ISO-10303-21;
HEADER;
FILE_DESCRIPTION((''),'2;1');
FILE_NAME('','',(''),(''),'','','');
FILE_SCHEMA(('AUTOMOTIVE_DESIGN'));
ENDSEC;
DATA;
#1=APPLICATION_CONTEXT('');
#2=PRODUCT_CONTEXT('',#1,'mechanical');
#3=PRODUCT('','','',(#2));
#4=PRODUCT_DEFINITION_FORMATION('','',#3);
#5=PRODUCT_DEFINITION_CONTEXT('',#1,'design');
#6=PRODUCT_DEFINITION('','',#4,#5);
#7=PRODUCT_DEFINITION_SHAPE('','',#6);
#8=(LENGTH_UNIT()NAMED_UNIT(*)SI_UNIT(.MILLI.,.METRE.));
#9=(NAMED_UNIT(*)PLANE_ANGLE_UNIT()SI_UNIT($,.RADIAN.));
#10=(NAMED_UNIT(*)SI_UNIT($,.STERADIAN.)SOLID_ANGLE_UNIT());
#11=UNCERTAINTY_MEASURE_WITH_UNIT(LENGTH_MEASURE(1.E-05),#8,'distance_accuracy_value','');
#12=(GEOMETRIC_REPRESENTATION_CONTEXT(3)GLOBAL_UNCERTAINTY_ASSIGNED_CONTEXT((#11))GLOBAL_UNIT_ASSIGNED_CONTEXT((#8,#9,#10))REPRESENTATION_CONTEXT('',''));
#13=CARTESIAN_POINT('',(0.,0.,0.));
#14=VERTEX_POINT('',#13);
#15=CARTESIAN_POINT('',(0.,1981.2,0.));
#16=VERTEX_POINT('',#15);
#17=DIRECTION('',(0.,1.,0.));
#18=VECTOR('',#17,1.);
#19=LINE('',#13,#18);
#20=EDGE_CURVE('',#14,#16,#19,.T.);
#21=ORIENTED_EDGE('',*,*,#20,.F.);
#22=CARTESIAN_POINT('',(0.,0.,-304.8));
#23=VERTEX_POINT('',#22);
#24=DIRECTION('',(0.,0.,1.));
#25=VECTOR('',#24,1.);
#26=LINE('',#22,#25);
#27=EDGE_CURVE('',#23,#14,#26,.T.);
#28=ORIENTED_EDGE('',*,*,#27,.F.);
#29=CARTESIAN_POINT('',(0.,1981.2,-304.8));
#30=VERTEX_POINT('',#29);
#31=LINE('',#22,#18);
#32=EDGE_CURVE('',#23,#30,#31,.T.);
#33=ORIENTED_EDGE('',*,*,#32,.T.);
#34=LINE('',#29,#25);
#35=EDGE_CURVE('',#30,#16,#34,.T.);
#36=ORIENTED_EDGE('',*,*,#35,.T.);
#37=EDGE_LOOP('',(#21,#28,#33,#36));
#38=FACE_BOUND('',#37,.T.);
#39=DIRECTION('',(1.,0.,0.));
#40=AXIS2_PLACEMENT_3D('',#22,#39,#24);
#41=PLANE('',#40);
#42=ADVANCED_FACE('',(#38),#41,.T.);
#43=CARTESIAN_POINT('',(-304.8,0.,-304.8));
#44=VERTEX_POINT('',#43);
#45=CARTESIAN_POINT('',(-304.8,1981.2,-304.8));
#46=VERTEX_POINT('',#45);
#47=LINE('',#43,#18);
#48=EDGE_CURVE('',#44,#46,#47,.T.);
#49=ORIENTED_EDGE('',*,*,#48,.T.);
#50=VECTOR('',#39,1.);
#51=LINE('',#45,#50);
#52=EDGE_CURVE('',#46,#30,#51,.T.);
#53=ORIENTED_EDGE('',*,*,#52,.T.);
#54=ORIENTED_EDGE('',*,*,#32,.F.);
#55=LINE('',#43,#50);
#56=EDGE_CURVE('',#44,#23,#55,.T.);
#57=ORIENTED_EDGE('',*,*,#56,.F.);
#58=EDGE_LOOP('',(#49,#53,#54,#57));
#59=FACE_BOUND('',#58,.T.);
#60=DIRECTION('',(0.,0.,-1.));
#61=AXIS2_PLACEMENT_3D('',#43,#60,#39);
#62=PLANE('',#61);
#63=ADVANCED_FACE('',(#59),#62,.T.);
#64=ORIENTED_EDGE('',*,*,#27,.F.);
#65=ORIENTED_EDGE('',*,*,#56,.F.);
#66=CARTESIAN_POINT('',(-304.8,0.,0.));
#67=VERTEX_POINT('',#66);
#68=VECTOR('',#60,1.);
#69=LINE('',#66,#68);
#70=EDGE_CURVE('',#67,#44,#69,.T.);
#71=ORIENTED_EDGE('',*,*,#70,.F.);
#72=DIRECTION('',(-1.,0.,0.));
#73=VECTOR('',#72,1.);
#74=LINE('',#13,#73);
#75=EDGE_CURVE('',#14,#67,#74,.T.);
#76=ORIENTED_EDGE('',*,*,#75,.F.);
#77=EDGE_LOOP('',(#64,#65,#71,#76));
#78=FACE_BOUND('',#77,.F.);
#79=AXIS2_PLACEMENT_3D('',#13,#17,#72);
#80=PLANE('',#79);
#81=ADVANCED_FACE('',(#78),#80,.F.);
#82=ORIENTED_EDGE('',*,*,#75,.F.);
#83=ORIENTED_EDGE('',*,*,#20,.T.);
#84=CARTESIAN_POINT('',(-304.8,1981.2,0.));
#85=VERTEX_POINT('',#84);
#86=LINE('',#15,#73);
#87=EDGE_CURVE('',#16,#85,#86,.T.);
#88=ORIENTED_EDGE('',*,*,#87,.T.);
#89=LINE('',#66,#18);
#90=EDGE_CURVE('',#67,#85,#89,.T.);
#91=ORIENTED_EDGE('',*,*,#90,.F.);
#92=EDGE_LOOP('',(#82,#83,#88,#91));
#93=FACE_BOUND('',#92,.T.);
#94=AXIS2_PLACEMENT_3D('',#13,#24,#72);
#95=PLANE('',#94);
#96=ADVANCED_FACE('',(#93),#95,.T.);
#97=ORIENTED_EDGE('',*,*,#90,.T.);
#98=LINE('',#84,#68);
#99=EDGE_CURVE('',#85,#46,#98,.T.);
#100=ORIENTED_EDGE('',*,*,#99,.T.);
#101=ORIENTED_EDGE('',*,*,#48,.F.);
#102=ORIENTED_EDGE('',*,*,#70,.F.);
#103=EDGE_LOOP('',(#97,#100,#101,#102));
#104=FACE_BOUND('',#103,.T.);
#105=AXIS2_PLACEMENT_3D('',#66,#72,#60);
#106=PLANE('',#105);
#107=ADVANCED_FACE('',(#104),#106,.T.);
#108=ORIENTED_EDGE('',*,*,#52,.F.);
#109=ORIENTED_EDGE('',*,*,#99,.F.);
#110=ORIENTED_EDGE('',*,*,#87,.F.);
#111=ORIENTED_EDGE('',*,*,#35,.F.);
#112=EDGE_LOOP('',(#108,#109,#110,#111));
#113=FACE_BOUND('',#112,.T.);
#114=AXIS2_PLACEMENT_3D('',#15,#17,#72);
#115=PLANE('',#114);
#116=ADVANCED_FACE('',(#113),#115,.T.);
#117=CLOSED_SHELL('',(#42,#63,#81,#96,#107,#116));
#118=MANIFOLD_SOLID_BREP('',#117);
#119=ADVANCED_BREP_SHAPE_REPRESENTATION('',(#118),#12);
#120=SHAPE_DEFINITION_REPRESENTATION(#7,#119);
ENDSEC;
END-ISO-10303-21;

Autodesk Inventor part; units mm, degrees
ref_plane "YZ Plane" through (0, 0, 0) normal (1, 0, 0) x (0, 1, 0)
ref_plane "XZ Plane" through (0, 0, 0) normal (0, 1, 0) x (-1, 0, 0)
ref_plane "XY Plane" through (0, 0, 0) normal (0, 0, 1) x (1, 0, 0)
sketch "Sketch1" plane through (0, 0, 0) normal (0, 1, 0) x (-1, 0, 0)
  line L0 (0, 0) -> (304.8, 0)
  line L1 (304.8, 0) -> (304.8, -304.8)
  line L2 (304.8, -304.8) -> (0, -304.8)
  line L3 (0, -304.8) -> (0, 0)
  dimension "d2" = 304.8
  dimension "d3" = 304.8
extrude "Extrusion1" add sketch "Sketch1" along normal blind 1981.2
properties part number "SW_Support_Column" material "Concrete"
